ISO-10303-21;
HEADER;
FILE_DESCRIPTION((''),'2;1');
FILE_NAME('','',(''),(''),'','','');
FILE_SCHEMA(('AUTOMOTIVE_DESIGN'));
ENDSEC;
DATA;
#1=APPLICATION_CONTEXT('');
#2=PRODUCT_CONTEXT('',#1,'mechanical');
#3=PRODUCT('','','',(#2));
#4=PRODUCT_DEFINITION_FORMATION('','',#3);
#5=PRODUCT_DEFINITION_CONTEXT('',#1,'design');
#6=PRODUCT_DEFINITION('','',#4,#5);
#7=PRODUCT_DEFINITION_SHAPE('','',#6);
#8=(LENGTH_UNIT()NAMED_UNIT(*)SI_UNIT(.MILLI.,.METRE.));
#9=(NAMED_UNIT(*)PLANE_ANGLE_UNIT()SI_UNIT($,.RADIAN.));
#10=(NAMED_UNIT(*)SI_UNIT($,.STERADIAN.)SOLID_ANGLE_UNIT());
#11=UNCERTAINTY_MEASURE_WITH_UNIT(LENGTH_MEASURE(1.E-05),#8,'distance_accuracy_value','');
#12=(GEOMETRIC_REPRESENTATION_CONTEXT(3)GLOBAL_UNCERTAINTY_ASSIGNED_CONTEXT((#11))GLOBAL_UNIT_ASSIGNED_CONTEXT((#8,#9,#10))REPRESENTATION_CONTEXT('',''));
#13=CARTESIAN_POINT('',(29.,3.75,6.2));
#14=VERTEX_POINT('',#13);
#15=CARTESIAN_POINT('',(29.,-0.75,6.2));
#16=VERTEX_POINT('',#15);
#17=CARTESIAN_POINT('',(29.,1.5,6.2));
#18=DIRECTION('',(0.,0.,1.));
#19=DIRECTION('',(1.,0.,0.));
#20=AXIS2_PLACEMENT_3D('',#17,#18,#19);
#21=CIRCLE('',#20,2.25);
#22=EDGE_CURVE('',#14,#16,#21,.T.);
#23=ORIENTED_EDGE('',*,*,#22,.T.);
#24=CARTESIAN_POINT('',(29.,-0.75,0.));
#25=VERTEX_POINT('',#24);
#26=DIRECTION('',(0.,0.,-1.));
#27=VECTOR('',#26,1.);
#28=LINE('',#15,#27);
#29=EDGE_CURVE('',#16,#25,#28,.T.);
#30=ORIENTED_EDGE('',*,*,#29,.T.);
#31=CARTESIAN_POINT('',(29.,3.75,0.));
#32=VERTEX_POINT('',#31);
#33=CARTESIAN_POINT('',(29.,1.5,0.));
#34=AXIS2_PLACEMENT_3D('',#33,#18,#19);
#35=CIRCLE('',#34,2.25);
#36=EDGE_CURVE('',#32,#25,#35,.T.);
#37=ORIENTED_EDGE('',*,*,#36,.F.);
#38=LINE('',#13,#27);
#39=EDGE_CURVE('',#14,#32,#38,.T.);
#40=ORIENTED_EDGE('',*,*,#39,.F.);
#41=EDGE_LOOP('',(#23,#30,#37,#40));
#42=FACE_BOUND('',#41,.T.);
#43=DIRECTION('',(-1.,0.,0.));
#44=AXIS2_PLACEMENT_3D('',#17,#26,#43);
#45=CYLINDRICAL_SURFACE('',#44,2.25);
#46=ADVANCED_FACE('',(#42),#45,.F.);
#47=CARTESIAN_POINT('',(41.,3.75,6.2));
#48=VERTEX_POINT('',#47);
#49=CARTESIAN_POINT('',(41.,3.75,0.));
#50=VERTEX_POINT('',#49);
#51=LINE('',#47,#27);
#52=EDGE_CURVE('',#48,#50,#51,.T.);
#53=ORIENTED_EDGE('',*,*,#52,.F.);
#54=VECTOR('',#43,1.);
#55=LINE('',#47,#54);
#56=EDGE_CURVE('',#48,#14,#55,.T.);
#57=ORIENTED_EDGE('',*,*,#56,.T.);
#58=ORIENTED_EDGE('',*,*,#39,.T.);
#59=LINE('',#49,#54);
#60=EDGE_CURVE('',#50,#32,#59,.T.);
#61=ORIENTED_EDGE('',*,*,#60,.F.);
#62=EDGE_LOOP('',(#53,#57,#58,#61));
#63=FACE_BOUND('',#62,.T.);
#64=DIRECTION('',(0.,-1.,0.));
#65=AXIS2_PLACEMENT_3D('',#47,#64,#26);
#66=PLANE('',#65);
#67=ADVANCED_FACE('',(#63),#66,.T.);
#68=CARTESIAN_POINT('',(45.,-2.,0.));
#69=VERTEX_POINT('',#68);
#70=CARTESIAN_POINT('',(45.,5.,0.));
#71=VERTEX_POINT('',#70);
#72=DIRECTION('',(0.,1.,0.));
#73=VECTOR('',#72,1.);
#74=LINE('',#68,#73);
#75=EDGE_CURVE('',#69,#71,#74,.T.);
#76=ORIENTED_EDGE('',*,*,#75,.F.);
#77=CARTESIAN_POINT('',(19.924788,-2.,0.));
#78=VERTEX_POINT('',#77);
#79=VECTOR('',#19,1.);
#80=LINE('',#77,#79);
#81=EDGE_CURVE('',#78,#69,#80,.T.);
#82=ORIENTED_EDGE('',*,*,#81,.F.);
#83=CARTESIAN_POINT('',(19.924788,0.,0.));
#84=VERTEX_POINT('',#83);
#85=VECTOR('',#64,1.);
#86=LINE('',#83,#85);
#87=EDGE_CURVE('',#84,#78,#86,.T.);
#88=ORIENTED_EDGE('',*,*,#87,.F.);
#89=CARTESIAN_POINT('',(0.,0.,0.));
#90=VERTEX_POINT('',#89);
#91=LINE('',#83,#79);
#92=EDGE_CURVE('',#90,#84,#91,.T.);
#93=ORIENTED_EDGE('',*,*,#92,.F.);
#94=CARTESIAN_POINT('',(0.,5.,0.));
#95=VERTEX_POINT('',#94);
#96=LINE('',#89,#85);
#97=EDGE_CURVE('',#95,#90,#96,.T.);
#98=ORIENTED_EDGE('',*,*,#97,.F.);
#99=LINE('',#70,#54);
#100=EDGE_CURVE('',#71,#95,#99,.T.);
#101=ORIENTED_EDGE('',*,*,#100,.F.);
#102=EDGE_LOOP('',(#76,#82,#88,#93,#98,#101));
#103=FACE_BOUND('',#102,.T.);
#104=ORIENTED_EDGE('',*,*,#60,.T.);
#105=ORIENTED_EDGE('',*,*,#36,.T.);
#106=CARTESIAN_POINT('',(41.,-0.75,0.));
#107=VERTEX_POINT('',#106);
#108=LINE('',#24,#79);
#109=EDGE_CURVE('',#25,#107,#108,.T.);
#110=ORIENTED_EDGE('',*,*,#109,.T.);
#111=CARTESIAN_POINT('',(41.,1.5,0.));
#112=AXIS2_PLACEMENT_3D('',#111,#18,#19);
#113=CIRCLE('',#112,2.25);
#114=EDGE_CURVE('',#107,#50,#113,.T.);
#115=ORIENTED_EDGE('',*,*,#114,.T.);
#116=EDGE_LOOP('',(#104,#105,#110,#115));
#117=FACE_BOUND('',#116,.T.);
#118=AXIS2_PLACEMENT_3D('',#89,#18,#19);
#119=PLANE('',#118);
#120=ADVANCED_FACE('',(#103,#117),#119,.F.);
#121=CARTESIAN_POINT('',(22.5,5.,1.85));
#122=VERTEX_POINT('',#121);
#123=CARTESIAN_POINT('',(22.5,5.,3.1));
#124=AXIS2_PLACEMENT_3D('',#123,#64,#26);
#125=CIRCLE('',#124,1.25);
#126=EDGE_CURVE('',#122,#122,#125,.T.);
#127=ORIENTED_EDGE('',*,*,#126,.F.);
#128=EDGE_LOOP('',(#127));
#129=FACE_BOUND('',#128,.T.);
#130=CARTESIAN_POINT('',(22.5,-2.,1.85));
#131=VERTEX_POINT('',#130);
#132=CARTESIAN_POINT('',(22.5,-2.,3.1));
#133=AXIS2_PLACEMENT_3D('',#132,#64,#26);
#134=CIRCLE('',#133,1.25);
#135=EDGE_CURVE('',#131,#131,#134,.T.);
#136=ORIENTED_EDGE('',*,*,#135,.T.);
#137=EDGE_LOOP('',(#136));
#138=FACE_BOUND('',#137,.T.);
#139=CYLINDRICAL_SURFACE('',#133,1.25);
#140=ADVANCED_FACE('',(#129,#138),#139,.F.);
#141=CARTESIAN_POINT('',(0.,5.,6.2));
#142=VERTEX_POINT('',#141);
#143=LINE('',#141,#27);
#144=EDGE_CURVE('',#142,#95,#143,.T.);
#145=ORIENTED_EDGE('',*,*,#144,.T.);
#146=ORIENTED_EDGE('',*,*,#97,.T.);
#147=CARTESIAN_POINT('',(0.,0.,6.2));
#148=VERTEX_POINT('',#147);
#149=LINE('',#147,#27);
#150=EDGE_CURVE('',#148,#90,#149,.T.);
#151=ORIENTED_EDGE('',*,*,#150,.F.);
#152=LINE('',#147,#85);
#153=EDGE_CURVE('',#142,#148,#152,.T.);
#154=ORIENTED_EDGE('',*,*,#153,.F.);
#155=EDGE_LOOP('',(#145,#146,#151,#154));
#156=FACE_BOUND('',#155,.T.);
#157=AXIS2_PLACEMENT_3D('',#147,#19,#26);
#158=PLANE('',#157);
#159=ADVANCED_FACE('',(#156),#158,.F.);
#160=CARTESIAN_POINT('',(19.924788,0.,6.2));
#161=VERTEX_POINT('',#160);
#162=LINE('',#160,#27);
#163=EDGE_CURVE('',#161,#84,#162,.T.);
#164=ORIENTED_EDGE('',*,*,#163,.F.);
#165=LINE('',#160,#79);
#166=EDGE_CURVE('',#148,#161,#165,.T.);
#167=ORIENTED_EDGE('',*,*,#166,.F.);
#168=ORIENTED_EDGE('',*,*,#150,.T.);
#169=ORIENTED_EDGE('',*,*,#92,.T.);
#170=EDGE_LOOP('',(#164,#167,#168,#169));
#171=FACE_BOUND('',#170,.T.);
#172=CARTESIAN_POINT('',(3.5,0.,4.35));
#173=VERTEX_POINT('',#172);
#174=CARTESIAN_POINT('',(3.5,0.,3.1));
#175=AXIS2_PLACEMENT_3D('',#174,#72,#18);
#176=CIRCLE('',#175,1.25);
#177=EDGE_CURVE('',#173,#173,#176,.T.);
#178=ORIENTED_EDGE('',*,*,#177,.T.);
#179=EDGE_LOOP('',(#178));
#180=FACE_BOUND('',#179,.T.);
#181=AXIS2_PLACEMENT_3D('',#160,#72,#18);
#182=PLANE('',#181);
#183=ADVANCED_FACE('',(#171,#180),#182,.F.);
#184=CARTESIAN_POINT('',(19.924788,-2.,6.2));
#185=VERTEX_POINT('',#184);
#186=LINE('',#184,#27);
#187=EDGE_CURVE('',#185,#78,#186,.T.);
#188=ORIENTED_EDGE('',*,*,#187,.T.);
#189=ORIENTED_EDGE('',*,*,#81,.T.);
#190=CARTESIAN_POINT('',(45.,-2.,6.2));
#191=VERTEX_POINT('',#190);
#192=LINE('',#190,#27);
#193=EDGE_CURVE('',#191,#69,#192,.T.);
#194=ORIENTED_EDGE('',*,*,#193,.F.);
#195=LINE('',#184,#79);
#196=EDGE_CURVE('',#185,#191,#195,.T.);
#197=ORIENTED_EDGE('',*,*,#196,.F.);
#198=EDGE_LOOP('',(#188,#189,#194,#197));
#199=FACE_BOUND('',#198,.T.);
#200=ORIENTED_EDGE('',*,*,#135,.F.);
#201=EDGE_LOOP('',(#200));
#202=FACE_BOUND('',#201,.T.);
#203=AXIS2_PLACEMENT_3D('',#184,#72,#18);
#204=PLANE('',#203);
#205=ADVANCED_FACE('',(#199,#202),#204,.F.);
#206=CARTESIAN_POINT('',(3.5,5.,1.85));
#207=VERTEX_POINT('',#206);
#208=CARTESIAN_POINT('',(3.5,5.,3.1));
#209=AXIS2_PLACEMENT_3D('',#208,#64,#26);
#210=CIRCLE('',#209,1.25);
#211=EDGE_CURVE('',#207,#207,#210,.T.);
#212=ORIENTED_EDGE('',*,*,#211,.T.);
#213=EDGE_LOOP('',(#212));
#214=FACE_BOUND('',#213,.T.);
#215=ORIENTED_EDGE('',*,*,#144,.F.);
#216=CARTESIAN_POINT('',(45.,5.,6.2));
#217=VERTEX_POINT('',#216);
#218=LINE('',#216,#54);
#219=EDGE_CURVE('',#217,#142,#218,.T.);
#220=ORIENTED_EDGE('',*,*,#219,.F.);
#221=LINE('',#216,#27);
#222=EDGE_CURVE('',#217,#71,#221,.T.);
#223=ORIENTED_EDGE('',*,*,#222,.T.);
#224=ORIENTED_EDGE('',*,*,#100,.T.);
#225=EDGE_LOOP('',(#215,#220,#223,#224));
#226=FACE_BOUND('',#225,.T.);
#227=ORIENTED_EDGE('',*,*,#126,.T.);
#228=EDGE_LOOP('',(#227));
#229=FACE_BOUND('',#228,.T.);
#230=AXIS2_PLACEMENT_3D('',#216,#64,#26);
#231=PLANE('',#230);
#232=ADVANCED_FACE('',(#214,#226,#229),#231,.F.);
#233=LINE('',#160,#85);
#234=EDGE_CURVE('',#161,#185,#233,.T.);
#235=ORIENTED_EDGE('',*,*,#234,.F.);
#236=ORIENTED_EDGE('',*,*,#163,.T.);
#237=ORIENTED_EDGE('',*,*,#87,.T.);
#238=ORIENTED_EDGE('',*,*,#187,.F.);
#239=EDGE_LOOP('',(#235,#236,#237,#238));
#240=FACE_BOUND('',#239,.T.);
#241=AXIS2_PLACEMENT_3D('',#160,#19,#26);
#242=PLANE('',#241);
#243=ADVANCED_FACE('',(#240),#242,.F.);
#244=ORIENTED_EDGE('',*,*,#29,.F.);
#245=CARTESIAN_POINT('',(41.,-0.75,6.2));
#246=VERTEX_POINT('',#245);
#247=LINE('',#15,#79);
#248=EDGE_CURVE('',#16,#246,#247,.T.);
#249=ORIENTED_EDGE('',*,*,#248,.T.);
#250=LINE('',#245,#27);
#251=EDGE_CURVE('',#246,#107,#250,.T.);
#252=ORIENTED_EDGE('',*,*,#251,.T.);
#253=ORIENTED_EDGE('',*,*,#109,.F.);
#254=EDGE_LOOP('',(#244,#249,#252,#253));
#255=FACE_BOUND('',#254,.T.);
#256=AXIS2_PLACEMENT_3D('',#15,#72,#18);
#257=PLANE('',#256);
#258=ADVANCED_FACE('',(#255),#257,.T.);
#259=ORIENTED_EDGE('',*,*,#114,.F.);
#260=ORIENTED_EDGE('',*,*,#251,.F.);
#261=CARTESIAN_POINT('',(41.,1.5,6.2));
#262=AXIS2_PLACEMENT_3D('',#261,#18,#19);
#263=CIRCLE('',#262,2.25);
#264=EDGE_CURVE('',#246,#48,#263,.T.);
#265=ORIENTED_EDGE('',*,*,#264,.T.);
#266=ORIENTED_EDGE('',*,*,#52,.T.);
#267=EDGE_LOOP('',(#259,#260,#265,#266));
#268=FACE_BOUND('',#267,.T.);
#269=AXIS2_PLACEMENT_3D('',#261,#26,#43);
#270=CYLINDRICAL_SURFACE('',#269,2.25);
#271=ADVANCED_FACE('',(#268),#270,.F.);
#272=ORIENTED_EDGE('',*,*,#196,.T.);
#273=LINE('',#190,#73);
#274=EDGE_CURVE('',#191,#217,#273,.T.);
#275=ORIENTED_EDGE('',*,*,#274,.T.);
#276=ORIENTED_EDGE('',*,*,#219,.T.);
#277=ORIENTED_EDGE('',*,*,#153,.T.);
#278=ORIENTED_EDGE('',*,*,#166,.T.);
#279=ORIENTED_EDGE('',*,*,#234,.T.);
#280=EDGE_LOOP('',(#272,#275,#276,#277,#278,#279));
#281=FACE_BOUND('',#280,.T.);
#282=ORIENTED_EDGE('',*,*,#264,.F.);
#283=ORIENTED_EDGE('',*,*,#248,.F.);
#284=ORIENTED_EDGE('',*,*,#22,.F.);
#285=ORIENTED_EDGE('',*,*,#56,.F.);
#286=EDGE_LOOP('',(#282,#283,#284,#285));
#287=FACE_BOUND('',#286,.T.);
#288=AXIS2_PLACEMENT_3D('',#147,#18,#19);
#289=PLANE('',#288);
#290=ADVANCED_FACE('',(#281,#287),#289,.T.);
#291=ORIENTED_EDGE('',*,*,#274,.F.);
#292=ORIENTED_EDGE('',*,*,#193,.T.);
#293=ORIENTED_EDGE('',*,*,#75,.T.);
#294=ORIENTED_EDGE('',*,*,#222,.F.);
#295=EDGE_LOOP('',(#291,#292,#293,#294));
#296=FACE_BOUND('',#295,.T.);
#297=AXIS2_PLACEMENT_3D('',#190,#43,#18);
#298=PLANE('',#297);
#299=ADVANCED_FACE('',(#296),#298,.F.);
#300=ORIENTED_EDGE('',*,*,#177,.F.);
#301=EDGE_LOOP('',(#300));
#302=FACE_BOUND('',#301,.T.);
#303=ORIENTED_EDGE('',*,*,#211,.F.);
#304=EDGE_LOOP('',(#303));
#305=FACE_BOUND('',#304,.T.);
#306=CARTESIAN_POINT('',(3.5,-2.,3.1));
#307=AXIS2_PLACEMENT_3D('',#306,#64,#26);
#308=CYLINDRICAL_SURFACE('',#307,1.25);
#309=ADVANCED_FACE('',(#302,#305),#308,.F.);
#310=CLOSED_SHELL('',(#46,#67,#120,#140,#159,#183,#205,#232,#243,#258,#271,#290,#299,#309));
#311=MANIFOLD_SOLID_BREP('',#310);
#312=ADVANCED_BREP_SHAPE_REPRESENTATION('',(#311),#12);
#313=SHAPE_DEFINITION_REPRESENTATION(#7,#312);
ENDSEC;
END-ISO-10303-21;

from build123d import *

# Parameters (mm, degrees)
EXTRUDE_2_DEPTH    = 6.2
HOLE_WIZARD_M3_1_D = 2.5


with BuildPart() as part:
    # 草图1 → 凸台-拉伸2 (new body)
    with BuildSketch(Plane.XY):
        Polygon((45, 5), (0, 5), (0, 0), (19.924787558, 0), (19.924787558, -2), (45, -2), align=None)
        with BuildLine():
            Line((29, -0.75), (41, -0.75))
            ThreePointArc((41, -0.75), (43.25, 1.5), (41, 3.75))
            Line((41, 3.75), (29, 3.75))
            ThreePointArc((29, 3.75), (26.75, 1.5), (29, -0.75))
        make_face(mode=Mode.SUBTRACT)
    extrude(amount=EXTRUDE_2_DEPTH)

    # M3 螺纹孔1 (through all)
    with Locations(Plane(origin=(0, -2, 0), x_dir=(-1, 0, 0), z_dir=(0, -1, 0))):
        with Locations((-22.5, -3.1), (-3.5, -3.1)):
            Hole(HOLE_WIZARD_M3_1_D / 2)


solid = part.part
